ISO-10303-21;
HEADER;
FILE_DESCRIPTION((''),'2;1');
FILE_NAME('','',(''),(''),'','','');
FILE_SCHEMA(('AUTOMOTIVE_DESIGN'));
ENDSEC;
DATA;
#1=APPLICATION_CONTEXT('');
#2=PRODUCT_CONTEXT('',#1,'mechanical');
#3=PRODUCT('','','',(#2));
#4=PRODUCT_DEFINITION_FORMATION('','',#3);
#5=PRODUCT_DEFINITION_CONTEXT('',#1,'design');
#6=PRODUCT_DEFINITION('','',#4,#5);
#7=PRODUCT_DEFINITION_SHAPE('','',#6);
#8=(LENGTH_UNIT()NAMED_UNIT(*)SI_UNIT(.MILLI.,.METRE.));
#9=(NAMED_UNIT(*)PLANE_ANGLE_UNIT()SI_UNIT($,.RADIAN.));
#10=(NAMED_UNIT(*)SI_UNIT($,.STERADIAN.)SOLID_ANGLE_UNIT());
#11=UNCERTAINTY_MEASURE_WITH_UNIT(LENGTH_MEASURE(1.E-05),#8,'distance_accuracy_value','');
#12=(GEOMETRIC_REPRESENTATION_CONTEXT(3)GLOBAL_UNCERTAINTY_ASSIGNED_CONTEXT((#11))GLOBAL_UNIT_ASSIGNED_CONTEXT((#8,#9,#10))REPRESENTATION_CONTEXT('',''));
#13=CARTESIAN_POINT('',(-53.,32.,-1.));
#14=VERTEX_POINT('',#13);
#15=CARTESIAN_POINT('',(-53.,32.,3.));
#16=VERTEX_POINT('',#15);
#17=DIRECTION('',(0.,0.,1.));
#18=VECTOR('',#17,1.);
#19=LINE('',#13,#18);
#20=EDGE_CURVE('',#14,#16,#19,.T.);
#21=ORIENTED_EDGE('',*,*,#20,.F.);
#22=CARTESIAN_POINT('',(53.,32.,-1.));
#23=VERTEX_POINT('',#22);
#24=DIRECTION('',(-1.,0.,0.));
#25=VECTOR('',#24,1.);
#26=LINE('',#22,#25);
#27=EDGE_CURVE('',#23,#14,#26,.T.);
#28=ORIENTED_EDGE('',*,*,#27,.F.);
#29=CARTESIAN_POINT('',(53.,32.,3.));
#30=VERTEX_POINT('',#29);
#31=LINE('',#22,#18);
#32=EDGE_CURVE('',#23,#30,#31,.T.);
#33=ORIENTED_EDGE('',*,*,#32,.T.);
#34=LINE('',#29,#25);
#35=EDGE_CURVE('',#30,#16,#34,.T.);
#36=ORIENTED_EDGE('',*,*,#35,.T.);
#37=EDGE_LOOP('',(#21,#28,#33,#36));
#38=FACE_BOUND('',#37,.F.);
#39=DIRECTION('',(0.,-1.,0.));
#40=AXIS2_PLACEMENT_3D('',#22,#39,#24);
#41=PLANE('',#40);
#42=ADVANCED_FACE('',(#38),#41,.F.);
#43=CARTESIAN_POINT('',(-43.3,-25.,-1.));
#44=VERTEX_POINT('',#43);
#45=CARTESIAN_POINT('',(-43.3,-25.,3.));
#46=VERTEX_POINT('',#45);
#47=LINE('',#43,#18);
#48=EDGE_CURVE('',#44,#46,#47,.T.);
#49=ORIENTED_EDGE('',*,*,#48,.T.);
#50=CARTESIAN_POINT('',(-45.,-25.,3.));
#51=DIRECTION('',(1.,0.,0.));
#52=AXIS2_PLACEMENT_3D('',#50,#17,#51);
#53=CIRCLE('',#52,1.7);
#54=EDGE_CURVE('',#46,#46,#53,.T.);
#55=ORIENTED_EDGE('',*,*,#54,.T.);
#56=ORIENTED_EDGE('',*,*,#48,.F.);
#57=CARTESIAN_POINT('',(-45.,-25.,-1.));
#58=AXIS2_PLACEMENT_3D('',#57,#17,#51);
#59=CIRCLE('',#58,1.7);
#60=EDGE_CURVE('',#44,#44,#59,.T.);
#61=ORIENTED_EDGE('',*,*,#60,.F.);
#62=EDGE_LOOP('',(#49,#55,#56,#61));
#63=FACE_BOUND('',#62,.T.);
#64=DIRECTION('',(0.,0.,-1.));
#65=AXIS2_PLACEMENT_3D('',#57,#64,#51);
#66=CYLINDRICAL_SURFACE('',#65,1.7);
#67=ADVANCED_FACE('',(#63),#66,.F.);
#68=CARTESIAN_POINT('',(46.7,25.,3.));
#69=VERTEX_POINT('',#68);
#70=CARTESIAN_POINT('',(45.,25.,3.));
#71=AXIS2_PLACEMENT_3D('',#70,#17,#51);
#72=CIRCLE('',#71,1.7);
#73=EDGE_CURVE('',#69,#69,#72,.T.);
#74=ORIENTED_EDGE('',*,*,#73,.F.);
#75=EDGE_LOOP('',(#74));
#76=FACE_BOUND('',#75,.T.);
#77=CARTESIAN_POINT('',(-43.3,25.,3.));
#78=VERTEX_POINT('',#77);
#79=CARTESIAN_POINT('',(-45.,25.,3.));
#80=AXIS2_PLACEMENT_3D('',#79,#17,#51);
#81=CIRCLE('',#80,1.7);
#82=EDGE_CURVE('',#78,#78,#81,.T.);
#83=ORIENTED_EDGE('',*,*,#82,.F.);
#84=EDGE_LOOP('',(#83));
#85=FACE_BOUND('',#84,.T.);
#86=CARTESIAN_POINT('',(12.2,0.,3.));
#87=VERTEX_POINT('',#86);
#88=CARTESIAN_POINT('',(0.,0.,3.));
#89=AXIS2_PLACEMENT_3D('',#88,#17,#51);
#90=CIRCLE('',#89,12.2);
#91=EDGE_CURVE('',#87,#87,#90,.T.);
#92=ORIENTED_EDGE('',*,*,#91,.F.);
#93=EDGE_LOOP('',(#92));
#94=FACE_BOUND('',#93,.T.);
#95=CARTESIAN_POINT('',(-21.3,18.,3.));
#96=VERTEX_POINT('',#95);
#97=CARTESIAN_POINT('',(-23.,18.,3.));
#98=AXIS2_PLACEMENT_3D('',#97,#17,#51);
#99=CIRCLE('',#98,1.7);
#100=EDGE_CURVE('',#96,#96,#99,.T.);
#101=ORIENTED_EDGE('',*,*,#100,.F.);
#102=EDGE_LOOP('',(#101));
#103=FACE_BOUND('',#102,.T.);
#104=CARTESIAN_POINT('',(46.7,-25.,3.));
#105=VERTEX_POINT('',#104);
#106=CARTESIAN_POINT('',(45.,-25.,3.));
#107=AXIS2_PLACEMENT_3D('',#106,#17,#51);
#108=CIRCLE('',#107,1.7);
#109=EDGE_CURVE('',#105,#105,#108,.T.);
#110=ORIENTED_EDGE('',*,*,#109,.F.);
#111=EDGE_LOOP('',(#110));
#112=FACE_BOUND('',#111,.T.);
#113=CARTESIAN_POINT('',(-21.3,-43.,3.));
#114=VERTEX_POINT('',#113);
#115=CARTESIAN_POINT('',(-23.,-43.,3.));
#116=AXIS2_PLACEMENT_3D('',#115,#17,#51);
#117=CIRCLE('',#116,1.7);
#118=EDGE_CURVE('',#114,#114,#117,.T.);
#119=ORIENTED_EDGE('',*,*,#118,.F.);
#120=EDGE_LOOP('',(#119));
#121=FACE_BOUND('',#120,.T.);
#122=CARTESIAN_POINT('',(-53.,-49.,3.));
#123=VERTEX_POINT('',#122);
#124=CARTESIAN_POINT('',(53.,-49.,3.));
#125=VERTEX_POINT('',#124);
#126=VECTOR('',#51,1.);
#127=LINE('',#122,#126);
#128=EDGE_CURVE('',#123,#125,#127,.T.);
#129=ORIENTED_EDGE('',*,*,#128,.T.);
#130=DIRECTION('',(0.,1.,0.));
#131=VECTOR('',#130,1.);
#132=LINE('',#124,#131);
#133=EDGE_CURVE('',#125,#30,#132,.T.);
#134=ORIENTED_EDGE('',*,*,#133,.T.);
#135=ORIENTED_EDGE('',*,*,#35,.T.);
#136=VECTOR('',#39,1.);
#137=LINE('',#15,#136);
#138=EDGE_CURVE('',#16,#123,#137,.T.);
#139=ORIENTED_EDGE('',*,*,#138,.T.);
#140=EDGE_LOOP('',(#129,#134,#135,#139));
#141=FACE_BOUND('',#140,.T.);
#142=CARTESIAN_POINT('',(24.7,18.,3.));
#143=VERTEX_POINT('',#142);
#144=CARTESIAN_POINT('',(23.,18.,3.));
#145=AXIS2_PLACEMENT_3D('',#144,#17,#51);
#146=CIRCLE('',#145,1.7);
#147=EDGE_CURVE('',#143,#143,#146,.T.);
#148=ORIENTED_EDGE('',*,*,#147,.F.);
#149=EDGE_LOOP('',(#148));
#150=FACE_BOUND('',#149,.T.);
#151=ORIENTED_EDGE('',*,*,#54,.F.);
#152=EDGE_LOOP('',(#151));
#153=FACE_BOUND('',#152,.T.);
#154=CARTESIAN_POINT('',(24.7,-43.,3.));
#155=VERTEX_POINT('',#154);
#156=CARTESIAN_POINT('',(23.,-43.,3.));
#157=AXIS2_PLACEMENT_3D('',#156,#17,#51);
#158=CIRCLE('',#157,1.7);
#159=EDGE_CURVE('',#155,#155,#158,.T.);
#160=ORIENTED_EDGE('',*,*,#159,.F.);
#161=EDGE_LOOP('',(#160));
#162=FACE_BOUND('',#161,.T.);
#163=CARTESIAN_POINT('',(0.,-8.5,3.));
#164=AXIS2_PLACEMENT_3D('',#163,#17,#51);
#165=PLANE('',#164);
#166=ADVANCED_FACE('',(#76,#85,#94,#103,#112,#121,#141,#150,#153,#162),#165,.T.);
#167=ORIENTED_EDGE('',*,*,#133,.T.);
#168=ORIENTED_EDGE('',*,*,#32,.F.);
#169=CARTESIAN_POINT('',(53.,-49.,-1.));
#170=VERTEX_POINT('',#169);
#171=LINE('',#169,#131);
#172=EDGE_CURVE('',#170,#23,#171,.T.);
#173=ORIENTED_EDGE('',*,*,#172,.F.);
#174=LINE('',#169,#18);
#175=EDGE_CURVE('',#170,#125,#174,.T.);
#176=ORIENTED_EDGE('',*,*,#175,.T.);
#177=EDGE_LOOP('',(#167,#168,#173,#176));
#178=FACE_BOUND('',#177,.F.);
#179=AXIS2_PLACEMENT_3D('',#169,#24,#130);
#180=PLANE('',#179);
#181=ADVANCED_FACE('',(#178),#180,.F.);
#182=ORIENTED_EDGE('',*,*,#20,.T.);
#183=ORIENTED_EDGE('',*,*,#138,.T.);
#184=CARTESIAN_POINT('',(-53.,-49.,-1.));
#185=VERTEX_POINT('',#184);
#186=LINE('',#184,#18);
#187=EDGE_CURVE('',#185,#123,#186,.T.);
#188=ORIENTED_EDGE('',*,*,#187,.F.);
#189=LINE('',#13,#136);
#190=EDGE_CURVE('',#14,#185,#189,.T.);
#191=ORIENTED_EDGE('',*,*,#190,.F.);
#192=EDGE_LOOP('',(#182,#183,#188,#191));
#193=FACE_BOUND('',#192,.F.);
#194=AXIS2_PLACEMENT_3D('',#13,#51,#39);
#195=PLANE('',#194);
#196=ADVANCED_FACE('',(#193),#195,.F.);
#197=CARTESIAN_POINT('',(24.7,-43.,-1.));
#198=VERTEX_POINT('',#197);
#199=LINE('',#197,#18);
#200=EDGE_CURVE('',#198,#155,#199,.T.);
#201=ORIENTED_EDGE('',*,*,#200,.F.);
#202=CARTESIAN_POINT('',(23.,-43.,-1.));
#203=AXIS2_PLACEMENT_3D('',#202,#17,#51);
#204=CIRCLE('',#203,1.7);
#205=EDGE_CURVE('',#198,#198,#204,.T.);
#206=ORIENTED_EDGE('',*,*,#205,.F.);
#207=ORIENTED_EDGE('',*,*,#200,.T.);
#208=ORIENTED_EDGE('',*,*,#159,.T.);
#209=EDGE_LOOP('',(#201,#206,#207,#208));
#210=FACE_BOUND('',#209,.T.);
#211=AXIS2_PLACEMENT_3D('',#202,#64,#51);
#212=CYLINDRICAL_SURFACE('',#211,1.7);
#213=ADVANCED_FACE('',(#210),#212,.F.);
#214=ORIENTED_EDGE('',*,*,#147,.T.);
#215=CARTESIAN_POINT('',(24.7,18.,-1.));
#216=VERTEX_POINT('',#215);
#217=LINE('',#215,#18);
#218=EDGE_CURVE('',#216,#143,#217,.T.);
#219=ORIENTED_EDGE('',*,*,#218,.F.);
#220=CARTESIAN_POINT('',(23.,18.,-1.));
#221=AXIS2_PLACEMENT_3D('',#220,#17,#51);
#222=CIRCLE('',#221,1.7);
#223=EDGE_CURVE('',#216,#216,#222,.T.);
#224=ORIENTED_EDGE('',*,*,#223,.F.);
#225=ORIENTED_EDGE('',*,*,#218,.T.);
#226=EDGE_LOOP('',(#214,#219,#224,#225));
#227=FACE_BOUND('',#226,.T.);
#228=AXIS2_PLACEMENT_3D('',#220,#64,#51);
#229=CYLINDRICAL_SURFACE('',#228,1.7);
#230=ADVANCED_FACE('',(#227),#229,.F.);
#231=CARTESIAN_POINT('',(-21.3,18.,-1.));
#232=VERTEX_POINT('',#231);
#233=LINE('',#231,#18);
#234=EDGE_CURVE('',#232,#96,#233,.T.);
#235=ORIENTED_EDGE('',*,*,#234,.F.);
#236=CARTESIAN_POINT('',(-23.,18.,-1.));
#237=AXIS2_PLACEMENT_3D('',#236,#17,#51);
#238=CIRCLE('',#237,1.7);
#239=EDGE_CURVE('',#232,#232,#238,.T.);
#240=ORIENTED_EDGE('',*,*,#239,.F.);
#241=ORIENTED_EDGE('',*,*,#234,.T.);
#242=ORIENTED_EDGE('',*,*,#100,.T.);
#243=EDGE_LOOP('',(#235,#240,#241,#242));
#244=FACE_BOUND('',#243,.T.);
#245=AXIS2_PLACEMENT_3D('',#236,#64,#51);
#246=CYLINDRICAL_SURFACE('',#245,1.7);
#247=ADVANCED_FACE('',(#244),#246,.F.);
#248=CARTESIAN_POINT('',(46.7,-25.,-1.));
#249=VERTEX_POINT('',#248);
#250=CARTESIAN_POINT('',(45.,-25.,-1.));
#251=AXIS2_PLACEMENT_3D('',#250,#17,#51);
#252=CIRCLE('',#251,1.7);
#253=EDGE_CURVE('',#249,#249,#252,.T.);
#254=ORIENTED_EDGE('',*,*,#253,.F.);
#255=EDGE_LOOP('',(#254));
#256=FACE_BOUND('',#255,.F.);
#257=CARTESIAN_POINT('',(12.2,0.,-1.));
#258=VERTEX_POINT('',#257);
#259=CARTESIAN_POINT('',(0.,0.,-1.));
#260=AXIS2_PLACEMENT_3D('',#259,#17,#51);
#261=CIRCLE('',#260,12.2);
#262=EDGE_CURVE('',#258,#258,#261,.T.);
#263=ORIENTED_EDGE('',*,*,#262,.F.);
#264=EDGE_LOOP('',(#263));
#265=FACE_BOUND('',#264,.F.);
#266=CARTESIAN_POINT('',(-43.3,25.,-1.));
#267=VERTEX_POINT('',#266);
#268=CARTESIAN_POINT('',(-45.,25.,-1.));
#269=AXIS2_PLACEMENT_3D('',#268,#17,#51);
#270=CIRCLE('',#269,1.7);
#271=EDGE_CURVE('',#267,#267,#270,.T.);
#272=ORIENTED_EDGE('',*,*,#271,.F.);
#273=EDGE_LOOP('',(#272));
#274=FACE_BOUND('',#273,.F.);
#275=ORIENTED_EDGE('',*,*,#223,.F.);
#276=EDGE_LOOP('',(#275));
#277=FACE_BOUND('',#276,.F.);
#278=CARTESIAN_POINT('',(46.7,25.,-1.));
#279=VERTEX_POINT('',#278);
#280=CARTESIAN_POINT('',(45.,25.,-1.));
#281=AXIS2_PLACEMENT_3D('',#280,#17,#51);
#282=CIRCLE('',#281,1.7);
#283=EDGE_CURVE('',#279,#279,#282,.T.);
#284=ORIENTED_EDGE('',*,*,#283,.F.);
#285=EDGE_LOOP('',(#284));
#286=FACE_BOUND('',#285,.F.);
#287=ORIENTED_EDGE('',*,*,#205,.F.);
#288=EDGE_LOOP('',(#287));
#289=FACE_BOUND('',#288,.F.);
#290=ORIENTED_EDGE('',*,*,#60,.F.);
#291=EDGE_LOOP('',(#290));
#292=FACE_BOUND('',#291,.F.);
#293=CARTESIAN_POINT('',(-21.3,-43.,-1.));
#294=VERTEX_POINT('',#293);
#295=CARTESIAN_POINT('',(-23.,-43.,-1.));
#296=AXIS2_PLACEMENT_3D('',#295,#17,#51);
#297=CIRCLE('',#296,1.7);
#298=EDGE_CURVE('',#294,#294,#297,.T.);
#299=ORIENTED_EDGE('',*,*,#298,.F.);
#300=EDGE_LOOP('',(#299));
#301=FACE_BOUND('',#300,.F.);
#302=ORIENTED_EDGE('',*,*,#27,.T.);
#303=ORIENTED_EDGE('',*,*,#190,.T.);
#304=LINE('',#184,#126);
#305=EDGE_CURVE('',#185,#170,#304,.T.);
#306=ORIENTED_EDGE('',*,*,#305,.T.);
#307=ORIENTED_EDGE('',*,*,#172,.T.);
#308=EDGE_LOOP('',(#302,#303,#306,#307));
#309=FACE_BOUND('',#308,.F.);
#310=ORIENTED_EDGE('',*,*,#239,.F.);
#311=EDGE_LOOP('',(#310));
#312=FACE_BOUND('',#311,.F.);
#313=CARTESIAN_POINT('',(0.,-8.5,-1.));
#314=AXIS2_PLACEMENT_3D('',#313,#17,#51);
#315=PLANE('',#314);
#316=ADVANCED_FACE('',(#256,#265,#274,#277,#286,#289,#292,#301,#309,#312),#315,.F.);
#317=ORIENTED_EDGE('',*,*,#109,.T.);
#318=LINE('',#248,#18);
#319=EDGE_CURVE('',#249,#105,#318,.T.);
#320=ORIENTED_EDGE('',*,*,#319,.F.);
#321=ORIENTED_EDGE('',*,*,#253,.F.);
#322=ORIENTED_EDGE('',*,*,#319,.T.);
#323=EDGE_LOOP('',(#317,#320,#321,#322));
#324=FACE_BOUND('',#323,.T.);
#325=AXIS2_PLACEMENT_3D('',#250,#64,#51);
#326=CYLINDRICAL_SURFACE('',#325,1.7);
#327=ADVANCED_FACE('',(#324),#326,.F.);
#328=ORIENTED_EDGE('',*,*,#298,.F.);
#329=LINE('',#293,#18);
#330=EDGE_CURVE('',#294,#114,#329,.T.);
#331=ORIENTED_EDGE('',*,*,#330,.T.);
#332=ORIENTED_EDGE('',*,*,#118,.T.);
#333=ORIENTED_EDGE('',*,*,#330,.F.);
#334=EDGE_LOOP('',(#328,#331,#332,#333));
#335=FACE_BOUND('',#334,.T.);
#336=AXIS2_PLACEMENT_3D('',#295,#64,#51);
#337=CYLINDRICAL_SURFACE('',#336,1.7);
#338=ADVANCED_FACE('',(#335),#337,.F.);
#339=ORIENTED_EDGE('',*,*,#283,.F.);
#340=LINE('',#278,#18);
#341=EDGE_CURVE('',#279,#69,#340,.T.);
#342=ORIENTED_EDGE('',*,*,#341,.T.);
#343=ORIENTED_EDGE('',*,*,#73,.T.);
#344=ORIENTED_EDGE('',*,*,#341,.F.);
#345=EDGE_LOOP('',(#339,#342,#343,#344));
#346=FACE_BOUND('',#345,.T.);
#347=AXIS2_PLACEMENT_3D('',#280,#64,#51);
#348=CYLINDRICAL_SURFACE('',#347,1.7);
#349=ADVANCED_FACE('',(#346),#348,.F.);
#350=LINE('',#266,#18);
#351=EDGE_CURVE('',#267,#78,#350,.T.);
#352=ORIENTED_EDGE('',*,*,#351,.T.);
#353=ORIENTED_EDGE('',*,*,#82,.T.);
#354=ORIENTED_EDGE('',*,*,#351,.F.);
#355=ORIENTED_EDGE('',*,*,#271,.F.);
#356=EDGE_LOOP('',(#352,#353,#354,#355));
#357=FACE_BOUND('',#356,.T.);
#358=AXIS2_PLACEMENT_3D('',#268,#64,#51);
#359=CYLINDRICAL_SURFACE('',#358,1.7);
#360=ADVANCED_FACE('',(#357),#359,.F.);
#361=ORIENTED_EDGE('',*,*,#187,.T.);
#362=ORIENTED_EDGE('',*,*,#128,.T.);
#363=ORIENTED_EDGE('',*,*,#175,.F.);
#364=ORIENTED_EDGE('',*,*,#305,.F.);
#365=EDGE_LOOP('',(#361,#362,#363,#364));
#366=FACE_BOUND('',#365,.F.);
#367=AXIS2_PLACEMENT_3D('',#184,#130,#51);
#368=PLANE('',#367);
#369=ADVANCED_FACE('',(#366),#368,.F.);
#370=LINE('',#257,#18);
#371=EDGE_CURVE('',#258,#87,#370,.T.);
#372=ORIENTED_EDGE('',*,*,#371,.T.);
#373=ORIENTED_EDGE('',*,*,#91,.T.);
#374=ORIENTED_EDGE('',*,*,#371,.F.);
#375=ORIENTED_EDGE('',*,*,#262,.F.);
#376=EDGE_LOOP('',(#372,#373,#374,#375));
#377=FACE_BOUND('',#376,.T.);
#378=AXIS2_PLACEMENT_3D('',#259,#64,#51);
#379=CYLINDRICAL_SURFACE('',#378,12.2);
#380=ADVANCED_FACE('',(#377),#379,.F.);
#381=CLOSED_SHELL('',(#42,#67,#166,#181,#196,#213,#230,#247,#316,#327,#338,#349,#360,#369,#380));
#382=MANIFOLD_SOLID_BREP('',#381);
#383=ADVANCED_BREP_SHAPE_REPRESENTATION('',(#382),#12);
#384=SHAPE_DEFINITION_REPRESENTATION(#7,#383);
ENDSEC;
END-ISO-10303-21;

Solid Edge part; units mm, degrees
sketch "Sketch1" plane through (0, 0, -1) normal (0, 0, 1) x (1, 0, 0)
  line L0 (-53, -49) -> (53, -49)
  line L1 (53, -49) -> (53, 32)
  line L2 (53, 32) -> (-53, 32)
  line L3 (-53, 32) -> (-53, -49)
  circle A0 centre (0, 0) radius 12.2
  circle A1 centre (-23, -43) radius 1.7
  circle A2 centre (23, -43) radius 1.7
  circle A3 centre (-23, 18) radius 1.7
  circle A4 centre (23, 18) radius 1.7
  circle A5 centre (-45, -25) radius 1.7
  circle A6 centre (45, -25) radius 1.7
  circle A7 centre (-45, 25) radius 1.7
  circle A8 centre (45, 25) radius 1.7
extrude "ExtrudedProtrusion_1" add sketch "Sketch1" along normal blind 4
extrude "ExtrudedProtrusion_2" [suppressed]
extrude "ExtrudedProtrusion_3" [suppressed]
